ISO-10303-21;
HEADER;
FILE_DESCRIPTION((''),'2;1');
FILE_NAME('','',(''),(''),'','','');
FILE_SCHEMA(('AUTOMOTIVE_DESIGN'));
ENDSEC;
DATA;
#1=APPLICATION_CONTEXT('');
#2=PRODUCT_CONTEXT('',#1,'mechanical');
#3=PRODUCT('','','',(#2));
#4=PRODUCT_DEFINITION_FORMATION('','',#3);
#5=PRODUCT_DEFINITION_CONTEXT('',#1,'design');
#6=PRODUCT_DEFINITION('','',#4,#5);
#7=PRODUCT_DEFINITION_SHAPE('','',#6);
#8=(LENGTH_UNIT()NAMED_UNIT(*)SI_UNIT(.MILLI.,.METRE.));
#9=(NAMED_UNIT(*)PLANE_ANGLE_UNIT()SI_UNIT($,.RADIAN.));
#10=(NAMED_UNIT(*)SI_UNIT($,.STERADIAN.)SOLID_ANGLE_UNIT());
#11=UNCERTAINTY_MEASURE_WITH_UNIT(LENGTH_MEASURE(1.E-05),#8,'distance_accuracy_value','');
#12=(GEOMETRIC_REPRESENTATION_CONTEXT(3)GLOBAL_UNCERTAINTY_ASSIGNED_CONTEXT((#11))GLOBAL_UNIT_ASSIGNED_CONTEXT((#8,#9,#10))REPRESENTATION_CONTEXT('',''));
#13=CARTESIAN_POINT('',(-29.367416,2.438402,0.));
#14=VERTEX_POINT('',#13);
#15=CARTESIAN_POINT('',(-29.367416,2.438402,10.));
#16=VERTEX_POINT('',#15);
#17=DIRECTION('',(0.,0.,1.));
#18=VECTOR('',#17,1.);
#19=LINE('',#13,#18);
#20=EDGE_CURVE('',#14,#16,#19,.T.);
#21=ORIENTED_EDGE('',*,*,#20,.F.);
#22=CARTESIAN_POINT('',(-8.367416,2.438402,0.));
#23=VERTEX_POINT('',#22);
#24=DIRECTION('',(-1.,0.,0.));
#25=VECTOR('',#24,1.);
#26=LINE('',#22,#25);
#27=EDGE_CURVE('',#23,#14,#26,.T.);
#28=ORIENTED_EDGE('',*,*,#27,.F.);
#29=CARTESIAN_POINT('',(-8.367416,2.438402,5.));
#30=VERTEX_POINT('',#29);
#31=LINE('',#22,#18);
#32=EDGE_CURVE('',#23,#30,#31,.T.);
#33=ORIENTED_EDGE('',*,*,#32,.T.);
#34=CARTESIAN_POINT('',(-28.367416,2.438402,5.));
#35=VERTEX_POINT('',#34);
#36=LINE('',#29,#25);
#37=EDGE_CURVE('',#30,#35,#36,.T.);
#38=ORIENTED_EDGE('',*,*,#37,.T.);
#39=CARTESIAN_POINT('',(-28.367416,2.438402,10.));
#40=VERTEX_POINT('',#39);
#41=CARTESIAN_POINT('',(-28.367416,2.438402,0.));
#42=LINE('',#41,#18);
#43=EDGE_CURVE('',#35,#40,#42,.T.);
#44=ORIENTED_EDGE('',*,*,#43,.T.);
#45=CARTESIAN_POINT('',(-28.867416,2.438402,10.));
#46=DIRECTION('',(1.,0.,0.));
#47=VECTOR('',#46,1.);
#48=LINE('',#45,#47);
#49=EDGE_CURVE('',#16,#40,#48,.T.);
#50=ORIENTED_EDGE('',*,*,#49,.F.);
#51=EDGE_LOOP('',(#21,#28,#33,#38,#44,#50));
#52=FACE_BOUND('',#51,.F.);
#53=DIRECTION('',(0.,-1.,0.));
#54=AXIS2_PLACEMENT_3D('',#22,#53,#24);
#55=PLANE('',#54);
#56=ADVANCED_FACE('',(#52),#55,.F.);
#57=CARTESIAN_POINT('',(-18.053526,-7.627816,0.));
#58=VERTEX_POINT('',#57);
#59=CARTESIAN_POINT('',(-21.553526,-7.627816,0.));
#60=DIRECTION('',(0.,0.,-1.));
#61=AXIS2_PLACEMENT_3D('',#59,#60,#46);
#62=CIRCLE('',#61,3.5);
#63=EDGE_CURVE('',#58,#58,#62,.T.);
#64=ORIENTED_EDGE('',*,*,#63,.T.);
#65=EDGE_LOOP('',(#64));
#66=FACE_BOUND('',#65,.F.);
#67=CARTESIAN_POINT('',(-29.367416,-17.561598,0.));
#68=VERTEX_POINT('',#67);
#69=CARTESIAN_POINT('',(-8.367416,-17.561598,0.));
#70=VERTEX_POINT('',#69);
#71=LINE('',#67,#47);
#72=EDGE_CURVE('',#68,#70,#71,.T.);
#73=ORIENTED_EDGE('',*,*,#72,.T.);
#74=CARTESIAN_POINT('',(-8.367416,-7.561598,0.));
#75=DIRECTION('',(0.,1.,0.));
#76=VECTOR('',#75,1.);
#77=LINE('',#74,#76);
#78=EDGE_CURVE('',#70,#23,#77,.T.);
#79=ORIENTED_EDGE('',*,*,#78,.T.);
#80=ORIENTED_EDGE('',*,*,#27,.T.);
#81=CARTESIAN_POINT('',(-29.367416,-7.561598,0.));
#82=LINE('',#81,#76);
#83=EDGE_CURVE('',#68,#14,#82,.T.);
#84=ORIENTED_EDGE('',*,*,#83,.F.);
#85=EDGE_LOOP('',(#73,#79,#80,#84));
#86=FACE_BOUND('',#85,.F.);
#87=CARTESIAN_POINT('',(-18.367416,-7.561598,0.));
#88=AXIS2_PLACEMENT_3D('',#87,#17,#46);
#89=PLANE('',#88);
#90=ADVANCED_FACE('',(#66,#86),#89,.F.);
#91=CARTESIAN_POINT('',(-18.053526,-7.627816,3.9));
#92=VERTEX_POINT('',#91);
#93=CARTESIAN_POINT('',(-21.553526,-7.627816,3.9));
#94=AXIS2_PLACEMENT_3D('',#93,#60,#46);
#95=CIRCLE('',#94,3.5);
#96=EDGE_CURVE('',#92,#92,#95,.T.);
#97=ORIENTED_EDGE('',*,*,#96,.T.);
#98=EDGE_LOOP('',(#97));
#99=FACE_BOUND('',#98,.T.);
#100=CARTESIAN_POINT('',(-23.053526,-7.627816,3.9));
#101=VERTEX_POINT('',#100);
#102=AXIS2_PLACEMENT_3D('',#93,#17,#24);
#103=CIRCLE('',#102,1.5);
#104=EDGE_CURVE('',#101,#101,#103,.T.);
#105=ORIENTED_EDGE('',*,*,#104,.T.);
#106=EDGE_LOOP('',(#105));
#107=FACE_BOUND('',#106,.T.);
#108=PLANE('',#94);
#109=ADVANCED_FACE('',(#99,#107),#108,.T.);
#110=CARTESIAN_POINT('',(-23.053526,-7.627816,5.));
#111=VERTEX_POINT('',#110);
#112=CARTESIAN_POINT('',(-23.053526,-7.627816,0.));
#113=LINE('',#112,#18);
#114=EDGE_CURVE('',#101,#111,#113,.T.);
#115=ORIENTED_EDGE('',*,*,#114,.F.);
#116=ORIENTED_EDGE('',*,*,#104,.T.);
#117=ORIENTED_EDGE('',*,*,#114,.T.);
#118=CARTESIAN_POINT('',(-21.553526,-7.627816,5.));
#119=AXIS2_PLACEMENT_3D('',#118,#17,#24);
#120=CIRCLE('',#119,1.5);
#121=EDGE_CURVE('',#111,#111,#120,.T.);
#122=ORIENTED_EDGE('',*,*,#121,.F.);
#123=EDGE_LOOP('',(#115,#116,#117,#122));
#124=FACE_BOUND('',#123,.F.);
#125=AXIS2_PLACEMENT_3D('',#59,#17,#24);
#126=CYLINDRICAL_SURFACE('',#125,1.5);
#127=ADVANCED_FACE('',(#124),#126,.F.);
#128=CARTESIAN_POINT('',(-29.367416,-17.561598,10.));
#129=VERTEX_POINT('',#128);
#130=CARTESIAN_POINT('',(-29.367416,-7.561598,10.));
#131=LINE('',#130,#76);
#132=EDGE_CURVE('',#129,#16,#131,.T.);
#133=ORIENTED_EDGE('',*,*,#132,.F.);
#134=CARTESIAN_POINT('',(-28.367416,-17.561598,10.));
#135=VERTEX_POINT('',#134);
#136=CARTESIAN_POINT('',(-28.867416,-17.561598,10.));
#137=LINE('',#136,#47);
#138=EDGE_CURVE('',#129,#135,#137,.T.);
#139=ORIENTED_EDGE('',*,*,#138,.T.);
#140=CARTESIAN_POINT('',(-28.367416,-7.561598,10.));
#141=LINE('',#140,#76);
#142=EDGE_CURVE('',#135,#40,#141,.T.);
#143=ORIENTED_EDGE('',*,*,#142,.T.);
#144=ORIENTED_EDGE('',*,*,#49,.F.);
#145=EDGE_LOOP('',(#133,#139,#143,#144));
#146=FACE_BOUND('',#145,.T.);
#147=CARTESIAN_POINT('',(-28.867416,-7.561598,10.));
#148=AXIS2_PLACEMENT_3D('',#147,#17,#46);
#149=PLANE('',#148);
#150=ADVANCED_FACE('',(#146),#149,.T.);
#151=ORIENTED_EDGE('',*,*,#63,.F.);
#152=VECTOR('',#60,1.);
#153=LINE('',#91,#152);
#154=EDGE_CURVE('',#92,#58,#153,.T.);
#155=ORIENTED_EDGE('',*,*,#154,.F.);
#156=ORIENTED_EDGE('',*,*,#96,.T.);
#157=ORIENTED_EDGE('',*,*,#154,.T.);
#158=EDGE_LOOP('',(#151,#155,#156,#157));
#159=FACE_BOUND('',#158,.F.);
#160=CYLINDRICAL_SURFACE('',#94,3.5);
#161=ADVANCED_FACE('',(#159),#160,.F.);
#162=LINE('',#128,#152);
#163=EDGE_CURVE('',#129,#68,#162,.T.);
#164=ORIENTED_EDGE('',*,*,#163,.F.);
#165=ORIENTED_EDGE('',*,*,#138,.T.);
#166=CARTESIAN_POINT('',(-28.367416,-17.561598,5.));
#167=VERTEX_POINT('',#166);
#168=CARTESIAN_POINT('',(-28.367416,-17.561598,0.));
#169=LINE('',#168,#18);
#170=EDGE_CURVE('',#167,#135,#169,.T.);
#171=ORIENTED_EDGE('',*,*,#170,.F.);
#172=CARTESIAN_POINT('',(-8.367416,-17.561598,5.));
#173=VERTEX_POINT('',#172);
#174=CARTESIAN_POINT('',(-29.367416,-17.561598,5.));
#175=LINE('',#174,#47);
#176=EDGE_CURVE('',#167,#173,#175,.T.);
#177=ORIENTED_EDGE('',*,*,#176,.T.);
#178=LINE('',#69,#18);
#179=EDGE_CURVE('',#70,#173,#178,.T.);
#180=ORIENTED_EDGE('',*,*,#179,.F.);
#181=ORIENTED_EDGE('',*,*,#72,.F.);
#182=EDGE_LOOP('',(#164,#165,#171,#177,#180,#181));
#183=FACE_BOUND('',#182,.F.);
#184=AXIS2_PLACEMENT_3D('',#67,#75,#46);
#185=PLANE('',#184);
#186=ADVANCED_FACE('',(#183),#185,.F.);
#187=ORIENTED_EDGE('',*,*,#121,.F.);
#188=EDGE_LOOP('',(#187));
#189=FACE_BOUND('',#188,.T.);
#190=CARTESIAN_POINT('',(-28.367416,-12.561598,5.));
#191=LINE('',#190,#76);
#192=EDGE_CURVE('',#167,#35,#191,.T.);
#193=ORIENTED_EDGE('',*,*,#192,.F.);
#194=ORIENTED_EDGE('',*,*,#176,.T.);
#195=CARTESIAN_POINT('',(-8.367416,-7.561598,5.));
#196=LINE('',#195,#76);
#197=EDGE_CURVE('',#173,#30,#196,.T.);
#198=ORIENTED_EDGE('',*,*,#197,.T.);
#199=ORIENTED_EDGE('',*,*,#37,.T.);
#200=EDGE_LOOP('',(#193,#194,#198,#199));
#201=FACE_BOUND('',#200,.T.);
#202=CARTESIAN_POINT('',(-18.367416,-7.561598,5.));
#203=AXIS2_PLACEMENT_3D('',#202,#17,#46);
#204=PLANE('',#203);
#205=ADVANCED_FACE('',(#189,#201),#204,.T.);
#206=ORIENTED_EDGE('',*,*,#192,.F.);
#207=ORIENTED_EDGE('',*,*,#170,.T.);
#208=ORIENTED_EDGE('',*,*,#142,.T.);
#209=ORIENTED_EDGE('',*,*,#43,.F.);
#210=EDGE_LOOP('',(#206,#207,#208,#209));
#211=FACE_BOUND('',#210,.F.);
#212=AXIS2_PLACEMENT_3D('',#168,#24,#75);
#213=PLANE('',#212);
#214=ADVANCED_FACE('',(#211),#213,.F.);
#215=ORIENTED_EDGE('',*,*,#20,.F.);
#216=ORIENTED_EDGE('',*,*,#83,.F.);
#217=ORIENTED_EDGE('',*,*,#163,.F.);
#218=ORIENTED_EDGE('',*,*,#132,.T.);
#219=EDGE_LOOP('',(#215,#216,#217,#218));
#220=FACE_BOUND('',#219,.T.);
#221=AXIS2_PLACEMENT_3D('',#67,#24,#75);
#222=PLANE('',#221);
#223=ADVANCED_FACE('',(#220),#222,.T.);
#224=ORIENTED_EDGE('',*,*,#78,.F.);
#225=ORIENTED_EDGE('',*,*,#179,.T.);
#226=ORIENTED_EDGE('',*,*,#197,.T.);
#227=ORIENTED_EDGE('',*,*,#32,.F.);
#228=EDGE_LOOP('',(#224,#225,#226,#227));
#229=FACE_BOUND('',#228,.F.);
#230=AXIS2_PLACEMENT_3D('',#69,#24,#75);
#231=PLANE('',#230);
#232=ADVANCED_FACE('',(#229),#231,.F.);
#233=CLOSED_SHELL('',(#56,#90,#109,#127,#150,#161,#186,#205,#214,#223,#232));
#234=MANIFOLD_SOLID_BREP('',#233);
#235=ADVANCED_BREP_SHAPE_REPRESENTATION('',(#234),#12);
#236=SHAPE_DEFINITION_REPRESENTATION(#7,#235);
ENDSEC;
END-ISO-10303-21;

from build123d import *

# Parameters (mm, degrees)
F0_W           = 1
F0_H           = 20
F1_DEPTH       = 10
F0_W_2         = 20
F2_DEPTH       = 5
F4_D           = 3
F4_CBORE_D     = 7
F4_CBORE_DEPTH = 3.9


with BuildPart() as f1:
    # F0 (on Top) → F1 (new body)
    with BuildSketch(Plane.XY):
        with Locations((-28.8674156551, -7.5615978579)):
            Rectangle(F0_W, F0_H)
    extrude(amount=F1_DEPTH)

    # F0 (on Top) → F2 (join)
    with BuildSketch(Plane.XY):
        with Locations((-18.3674156551, -7.5615978579)):
            Rectangle(F0_W_2, F0_H)
        with Locations((-28.8674156551, -7.5615978579)):
            Rectangle(F0_W, F0_H)
    extrude(amount=F2_DEPTH)

    # F4 (through all)
    with Locations(Plane(origin=(0, 0, 0), x_dir=(1, 0, 0), z_dir=(0, 0, -1))):
        with Locations((-21.5535256551, 7.6278164051)):
            CounterBoreHole(F4_D / 2, F4_CBORE_D / 2, F4_CBORE_DEPTH)


solid = f1.part
